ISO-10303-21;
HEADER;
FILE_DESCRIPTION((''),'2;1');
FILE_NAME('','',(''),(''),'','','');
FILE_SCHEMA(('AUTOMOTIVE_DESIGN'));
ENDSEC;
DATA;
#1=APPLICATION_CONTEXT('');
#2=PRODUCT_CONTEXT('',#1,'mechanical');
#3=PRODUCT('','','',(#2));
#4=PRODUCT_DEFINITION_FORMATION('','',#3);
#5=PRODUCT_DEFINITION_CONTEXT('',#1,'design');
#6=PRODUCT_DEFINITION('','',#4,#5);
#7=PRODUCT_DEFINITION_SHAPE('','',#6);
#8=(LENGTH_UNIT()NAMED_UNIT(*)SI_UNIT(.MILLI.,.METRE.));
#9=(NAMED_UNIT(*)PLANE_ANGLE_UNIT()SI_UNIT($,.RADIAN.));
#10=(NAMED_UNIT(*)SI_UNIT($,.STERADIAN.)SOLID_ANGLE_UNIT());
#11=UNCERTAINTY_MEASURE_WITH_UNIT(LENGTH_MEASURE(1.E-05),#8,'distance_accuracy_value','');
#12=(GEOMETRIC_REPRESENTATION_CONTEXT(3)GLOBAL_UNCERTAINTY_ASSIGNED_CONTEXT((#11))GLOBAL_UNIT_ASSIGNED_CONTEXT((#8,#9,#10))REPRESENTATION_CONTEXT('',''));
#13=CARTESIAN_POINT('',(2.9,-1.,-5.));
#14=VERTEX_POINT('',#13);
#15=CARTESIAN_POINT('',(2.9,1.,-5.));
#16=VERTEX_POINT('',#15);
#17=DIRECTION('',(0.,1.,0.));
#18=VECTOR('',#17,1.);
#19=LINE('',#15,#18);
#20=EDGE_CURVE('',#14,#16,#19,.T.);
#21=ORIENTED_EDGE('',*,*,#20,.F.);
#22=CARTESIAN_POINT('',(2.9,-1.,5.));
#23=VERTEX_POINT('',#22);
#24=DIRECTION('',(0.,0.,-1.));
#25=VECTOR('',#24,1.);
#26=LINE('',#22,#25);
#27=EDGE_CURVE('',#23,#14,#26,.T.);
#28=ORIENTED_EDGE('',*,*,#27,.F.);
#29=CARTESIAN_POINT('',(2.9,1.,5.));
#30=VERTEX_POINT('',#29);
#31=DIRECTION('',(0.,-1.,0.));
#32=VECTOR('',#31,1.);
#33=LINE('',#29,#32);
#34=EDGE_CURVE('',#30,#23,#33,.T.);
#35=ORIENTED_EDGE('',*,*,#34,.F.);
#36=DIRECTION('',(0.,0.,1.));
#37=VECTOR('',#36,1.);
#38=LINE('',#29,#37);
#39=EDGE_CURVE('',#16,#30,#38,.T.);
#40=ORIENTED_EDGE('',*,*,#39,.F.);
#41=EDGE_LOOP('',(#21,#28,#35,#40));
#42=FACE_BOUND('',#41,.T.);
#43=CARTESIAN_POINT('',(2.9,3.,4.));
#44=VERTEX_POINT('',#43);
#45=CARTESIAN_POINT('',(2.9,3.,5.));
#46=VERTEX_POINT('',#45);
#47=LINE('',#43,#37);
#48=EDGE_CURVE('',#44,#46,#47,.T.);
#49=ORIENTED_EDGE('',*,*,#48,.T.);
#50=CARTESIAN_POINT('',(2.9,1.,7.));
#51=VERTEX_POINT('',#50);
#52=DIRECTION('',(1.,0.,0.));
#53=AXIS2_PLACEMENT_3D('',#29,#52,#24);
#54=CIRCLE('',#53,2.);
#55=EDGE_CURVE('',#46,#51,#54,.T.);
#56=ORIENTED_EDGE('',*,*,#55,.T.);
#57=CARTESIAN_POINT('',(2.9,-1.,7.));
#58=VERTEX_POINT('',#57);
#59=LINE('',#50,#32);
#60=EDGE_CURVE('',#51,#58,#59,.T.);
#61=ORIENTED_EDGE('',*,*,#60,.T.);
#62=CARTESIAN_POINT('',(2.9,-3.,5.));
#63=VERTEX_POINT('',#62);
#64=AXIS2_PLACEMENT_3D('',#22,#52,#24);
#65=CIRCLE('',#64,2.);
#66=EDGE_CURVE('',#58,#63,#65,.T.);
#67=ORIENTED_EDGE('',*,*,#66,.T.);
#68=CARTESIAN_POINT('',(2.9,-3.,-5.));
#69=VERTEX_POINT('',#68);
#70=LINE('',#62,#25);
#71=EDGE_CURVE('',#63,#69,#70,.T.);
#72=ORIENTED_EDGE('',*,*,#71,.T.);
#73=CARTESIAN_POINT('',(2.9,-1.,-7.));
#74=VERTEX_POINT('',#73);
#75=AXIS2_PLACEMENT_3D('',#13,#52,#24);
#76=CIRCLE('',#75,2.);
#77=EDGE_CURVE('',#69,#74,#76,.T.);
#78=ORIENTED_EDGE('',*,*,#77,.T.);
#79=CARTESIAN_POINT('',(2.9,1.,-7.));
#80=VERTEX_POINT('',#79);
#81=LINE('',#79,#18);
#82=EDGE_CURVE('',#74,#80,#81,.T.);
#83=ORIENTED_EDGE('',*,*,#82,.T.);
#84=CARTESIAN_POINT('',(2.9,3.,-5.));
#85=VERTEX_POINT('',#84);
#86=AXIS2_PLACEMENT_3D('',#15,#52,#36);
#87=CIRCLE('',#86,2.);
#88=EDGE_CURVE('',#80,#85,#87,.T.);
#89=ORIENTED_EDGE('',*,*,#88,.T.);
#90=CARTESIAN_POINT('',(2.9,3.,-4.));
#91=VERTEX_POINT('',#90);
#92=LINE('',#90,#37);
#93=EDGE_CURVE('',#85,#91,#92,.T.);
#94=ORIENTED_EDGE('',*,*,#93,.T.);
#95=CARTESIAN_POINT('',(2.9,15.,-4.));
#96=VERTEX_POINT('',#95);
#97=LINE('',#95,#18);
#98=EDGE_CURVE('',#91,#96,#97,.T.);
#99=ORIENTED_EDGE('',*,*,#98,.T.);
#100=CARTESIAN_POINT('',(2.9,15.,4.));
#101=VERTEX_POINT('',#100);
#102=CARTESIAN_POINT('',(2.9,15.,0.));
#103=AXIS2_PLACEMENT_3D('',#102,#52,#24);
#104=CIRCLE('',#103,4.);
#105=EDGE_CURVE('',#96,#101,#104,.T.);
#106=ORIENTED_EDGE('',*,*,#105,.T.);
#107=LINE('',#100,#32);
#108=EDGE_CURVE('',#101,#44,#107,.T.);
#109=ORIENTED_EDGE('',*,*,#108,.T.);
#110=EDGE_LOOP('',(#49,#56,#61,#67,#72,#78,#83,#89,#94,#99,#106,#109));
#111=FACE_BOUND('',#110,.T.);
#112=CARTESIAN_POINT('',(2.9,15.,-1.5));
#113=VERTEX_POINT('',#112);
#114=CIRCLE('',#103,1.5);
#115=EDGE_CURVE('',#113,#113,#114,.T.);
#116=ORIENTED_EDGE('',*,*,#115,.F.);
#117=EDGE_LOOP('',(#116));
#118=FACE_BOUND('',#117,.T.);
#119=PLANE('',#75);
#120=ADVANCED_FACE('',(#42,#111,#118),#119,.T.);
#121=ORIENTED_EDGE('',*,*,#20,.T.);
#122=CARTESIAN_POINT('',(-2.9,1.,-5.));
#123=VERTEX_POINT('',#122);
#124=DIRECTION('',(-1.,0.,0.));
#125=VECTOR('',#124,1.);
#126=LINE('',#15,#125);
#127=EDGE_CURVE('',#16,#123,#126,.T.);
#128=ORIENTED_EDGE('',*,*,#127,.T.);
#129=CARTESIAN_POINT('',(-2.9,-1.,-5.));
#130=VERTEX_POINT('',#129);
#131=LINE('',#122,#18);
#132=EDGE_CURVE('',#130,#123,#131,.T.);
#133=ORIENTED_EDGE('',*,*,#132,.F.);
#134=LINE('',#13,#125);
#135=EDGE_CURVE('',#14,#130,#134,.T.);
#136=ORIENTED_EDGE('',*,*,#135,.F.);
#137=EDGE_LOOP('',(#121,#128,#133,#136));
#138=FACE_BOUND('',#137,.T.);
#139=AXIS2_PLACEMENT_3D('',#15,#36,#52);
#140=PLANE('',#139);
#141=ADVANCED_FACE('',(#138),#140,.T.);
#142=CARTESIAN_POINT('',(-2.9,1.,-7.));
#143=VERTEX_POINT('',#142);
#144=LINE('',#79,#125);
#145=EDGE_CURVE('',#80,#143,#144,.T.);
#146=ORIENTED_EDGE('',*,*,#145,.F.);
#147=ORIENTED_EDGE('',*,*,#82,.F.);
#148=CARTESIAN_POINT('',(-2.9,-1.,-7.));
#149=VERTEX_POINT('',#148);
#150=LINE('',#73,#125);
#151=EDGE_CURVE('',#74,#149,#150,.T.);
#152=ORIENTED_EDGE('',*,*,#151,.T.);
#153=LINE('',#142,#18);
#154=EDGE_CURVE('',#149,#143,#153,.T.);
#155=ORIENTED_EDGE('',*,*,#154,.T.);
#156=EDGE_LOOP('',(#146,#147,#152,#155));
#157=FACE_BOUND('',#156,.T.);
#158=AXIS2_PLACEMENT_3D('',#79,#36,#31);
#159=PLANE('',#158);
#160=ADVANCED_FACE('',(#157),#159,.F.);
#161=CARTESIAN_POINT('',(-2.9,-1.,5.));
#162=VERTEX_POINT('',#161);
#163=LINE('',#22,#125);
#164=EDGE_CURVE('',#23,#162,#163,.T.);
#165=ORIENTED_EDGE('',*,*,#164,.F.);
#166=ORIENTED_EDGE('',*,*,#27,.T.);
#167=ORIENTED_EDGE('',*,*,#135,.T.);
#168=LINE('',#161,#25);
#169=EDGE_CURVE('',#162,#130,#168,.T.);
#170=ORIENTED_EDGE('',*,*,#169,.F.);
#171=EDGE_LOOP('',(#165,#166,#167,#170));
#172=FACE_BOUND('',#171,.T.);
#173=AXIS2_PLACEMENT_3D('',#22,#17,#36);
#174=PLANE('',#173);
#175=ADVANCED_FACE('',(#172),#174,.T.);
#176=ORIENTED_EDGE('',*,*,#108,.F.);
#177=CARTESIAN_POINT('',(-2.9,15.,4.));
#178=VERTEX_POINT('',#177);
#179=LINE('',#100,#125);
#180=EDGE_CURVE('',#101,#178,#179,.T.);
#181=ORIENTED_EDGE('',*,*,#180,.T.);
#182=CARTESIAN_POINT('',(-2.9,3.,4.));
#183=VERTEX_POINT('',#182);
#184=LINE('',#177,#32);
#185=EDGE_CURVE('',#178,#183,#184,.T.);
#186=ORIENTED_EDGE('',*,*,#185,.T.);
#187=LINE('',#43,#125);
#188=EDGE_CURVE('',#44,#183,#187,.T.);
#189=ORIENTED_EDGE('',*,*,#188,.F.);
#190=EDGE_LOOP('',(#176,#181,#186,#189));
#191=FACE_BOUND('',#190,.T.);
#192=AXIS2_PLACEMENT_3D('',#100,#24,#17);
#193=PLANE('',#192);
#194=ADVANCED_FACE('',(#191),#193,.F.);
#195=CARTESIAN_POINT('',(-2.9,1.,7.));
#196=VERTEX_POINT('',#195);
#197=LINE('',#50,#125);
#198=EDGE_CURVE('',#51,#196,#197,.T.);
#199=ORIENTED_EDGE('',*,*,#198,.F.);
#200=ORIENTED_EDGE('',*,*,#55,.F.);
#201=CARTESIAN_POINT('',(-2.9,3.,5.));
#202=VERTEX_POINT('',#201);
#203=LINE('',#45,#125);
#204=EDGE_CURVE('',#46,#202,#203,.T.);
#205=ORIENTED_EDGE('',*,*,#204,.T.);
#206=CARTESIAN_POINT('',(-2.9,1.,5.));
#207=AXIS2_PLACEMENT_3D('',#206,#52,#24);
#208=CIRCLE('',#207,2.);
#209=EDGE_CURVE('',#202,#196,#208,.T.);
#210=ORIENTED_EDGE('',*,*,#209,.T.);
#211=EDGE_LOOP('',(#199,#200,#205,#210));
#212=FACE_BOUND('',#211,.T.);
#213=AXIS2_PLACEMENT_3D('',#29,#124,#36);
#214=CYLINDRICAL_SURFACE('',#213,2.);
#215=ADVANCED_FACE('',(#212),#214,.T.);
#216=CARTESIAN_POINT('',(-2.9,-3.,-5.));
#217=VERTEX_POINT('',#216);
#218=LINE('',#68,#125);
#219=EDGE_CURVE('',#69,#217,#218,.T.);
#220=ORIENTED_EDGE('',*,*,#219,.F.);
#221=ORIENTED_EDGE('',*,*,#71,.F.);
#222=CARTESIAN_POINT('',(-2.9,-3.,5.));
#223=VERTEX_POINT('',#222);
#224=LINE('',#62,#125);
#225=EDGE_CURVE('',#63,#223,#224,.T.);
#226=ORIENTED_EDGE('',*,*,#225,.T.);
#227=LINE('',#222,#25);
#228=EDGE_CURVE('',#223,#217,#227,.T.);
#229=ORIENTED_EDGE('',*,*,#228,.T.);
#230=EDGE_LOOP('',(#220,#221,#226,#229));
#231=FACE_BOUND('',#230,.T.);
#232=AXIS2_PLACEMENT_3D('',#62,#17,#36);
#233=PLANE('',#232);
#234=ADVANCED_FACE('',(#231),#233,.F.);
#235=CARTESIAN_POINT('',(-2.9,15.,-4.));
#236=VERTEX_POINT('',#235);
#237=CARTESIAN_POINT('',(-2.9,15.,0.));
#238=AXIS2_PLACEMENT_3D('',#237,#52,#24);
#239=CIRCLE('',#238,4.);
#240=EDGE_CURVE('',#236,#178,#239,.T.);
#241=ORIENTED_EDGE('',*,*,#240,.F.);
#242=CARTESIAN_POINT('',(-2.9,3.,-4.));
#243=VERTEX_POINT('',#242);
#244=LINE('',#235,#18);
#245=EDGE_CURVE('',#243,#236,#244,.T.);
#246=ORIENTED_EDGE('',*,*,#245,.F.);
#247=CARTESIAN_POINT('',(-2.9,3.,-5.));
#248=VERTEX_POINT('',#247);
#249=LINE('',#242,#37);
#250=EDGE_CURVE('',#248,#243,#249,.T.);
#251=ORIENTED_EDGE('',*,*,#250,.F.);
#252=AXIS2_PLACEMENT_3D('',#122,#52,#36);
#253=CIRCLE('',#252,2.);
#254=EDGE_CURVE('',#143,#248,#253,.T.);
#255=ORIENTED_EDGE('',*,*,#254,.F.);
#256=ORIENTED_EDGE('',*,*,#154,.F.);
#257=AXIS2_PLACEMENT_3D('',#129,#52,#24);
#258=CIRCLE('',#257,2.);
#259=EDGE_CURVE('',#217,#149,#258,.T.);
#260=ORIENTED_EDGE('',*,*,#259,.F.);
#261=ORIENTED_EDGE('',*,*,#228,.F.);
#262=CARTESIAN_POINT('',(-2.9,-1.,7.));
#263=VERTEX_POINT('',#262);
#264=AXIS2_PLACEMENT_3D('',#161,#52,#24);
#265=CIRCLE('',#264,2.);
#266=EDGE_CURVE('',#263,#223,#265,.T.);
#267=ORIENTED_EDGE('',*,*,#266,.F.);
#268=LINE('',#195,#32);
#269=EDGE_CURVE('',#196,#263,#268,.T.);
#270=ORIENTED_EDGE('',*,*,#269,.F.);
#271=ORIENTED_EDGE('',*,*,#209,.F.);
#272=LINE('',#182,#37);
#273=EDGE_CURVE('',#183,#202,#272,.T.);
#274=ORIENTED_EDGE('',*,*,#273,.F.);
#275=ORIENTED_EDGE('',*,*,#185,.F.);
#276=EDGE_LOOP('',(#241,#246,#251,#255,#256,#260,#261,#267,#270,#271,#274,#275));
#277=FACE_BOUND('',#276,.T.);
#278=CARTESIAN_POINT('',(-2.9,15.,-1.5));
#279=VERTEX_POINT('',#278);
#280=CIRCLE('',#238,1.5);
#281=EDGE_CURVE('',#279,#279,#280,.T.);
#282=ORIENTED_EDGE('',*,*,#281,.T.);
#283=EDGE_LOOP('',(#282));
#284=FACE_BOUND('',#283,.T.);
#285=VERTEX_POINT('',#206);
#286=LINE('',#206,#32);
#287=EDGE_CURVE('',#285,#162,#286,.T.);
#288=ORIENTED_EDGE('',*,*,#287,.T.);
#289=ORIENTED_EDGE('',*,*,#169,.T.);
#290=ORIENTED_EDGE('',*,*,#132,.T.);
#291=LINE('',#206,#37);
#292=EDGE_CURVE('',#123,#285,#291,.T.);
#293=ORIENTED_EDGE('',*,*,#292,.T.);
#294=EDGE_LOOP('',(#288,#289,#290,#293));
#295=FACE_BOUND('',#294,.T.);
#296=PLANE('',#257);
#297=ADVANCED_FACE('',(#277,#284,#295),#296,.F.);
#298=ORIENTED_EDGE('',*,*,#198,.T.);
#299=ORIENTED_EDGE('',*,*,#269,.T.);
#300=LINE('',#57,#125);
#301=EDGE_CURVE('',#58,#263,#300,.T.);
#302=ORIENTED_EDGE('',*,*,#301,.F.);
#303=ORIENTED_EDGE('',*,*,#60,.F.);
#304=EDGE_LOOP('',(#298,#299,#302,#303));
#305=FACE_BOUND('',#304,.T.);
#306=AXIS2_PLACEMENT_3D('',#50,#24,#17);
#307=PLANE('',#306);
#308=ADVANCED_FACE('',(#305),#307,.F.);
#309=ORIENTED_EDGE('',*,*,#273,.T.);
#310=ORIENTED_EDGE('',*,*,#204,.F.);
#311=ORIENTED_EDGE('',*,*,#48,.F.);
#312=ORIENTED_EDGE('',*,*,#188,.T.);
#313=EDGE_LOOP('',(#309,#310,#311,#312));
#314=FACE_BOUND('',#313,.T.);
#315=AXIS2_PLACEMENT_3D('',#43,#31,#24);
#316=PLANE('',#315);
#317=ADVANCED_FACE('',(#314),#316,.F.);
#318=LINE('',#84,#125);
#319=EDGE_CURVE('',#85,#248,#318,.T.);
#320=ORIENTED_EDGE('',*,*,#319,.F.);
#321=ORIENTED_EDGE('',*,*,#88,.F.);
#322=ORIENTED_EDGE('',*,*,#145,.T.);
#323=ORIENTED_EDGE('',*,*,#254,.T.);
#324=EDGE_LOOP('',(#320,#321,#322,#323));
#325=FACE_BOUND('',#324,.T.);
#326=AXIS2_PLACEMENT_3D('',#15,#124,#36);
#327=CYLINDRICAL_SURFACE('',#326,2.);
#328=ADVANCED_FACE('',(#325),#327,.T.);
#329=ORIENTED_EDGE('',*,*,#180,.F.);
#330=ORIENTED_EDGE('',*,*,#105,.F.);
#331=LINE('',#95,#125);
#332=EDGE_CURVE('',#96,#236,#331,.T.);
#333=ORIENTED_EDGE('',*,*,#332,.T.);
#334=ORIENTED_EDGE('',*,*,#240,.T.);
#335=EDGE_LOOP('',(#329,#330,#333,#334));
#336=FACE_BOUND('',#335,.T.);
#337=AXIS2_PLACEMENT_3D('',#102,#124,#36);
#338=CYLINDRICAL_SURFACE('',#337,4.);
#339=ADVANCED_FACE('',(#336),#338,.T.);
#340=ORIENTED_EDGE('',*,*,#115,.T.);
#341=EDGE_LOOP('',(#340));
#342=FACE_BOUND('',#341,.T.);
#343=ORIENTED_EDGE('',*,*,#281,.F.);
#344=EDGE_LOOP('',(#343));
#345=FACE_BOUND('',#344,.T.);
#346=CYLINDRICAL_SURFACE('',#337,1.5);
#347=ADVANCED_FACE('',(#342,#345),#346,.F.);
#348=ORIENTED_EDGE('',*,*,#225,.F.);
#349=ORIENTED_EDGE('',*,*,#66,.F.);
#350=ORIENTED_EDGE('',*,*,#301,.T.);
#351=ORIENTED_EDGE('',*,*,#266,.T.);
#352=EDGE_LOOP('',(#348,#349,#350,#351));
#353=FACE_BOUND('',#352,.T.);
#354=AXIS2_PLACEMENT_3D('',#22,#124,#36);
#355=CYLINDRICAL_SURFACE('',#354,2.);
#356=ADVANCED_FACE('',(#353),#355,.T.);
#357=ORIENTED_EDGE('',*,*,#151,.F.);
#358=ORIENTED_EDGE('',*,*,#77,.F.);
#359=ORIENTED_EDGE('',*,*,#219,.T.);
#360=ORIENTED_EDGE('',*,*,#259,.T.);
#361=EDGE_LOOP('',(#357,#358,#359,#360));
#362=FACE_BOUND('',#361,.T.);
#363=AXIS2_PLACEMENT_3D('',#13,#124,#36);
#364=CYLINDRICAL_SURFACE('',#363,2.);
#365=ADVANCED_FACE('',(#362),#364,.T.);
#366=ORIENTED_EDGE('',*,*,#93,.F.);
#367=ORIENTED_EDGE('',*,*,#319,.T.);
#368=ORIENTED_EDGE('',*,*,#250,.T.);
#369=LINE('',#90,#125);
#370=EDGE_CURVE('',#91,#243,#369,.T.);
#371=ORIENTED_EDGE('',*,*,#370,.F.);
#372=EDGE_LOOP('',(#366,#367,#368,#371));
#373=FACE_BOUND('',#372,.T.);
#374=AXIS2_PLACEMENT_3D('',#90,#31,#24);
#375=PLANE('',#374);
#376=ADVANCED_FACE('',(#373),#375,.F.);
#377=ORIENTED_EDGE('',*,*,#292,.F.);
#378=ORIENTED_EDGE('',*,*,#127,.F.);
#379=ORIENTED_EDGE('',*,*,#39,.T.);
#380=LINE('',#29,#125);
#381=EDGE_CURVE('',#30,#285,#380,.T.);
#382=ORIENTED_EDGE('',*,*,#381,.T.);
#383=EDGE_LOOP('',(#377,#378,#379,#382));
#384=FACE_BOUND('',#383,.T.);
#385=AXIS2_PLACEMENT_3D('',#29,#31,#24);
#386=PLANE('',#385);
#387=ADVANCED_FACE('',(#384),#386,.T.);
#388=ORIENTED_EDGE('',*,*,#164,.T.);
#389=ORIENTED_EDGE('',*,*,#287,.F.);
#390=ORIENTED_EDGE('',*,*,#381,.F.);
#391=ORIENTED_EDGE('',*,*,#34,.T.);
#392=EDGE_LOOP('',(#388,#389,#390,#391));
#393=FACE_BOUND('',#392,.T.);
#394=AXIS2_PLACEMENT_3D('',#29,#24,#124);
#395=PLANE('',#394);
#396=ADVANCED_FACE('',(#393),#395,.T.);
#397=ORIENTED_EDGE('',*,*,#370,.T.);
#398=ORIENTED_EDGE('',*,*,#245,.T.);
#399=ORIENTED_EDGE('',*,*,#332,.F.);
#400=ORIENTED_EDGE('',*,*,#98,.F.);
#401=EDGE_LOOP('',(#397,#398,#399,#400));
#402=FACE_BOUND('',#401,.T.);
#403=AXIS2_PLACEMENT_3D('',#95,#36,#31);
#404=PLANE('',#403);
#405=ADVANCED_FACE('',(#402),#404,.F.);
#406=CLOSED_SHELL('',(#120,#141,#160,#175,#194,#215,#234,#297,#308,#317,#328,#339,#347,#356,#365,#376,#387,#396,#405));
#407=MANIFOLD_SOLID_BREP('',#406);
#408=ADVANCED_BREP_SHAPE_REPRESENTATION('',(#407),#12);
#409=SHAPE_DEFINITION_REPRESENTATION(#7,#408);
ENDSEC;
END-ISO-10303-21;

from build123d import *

# Parameters (mm, degrees)
CROQUIS1_R              = 1.5
CROQUIS1_W              = 10
CROQUIS1_H              = 2
SALIENTE_EXTRUIR1_DEPTH = 2.9


with BuildPart() as part:
    # Croquis1 → Saliente-Extruir1 (new, symmetric)
    with BuildSketch(Plane(origin=(0, 0, 0), x_dir=(0, 0, -1), z_dir=(1, 0, 0))):
        with BuildLine():
            Line((-7, 1), (-7, -1))
            ThreePointArc((-7, -1), (-6.414213562, -2.414213562), (-5, -3))
            Line((-5, -3), (5, -3))
            ThreePointArc((5, -3), (6.414213562, -2.414213562), (7, -1))
            Line((7, -1), (7, 1))
            ThreePointArc((7, 1), (6.414213562, 2.414213562), (5, 3))
            Line((5, 3), (4, 3))
            Line((4, 3), (4, 15))
            ThreePointArc((4, 15), (0, 19), (-4, 15))
            Line((-4, 15), (-4, 3))
            Line((-4, 3), (-5, 3))
            ThreePointArc((-5, 3), (-6.414213562, 2.414213562), (-7, 1))
        make_face()
        with Locations((0, 15)):
            Circle(CROQUIS1_R, mode=Mode.SUBTRACT)
        Rectangle(CROQUIS1_W, CROQUIS1_H, mode=Mode.SUBTRACT)
    extrude(amount=SALIENTE_EXTRUIR1_DEPTH, both=True)


solid = part.part
